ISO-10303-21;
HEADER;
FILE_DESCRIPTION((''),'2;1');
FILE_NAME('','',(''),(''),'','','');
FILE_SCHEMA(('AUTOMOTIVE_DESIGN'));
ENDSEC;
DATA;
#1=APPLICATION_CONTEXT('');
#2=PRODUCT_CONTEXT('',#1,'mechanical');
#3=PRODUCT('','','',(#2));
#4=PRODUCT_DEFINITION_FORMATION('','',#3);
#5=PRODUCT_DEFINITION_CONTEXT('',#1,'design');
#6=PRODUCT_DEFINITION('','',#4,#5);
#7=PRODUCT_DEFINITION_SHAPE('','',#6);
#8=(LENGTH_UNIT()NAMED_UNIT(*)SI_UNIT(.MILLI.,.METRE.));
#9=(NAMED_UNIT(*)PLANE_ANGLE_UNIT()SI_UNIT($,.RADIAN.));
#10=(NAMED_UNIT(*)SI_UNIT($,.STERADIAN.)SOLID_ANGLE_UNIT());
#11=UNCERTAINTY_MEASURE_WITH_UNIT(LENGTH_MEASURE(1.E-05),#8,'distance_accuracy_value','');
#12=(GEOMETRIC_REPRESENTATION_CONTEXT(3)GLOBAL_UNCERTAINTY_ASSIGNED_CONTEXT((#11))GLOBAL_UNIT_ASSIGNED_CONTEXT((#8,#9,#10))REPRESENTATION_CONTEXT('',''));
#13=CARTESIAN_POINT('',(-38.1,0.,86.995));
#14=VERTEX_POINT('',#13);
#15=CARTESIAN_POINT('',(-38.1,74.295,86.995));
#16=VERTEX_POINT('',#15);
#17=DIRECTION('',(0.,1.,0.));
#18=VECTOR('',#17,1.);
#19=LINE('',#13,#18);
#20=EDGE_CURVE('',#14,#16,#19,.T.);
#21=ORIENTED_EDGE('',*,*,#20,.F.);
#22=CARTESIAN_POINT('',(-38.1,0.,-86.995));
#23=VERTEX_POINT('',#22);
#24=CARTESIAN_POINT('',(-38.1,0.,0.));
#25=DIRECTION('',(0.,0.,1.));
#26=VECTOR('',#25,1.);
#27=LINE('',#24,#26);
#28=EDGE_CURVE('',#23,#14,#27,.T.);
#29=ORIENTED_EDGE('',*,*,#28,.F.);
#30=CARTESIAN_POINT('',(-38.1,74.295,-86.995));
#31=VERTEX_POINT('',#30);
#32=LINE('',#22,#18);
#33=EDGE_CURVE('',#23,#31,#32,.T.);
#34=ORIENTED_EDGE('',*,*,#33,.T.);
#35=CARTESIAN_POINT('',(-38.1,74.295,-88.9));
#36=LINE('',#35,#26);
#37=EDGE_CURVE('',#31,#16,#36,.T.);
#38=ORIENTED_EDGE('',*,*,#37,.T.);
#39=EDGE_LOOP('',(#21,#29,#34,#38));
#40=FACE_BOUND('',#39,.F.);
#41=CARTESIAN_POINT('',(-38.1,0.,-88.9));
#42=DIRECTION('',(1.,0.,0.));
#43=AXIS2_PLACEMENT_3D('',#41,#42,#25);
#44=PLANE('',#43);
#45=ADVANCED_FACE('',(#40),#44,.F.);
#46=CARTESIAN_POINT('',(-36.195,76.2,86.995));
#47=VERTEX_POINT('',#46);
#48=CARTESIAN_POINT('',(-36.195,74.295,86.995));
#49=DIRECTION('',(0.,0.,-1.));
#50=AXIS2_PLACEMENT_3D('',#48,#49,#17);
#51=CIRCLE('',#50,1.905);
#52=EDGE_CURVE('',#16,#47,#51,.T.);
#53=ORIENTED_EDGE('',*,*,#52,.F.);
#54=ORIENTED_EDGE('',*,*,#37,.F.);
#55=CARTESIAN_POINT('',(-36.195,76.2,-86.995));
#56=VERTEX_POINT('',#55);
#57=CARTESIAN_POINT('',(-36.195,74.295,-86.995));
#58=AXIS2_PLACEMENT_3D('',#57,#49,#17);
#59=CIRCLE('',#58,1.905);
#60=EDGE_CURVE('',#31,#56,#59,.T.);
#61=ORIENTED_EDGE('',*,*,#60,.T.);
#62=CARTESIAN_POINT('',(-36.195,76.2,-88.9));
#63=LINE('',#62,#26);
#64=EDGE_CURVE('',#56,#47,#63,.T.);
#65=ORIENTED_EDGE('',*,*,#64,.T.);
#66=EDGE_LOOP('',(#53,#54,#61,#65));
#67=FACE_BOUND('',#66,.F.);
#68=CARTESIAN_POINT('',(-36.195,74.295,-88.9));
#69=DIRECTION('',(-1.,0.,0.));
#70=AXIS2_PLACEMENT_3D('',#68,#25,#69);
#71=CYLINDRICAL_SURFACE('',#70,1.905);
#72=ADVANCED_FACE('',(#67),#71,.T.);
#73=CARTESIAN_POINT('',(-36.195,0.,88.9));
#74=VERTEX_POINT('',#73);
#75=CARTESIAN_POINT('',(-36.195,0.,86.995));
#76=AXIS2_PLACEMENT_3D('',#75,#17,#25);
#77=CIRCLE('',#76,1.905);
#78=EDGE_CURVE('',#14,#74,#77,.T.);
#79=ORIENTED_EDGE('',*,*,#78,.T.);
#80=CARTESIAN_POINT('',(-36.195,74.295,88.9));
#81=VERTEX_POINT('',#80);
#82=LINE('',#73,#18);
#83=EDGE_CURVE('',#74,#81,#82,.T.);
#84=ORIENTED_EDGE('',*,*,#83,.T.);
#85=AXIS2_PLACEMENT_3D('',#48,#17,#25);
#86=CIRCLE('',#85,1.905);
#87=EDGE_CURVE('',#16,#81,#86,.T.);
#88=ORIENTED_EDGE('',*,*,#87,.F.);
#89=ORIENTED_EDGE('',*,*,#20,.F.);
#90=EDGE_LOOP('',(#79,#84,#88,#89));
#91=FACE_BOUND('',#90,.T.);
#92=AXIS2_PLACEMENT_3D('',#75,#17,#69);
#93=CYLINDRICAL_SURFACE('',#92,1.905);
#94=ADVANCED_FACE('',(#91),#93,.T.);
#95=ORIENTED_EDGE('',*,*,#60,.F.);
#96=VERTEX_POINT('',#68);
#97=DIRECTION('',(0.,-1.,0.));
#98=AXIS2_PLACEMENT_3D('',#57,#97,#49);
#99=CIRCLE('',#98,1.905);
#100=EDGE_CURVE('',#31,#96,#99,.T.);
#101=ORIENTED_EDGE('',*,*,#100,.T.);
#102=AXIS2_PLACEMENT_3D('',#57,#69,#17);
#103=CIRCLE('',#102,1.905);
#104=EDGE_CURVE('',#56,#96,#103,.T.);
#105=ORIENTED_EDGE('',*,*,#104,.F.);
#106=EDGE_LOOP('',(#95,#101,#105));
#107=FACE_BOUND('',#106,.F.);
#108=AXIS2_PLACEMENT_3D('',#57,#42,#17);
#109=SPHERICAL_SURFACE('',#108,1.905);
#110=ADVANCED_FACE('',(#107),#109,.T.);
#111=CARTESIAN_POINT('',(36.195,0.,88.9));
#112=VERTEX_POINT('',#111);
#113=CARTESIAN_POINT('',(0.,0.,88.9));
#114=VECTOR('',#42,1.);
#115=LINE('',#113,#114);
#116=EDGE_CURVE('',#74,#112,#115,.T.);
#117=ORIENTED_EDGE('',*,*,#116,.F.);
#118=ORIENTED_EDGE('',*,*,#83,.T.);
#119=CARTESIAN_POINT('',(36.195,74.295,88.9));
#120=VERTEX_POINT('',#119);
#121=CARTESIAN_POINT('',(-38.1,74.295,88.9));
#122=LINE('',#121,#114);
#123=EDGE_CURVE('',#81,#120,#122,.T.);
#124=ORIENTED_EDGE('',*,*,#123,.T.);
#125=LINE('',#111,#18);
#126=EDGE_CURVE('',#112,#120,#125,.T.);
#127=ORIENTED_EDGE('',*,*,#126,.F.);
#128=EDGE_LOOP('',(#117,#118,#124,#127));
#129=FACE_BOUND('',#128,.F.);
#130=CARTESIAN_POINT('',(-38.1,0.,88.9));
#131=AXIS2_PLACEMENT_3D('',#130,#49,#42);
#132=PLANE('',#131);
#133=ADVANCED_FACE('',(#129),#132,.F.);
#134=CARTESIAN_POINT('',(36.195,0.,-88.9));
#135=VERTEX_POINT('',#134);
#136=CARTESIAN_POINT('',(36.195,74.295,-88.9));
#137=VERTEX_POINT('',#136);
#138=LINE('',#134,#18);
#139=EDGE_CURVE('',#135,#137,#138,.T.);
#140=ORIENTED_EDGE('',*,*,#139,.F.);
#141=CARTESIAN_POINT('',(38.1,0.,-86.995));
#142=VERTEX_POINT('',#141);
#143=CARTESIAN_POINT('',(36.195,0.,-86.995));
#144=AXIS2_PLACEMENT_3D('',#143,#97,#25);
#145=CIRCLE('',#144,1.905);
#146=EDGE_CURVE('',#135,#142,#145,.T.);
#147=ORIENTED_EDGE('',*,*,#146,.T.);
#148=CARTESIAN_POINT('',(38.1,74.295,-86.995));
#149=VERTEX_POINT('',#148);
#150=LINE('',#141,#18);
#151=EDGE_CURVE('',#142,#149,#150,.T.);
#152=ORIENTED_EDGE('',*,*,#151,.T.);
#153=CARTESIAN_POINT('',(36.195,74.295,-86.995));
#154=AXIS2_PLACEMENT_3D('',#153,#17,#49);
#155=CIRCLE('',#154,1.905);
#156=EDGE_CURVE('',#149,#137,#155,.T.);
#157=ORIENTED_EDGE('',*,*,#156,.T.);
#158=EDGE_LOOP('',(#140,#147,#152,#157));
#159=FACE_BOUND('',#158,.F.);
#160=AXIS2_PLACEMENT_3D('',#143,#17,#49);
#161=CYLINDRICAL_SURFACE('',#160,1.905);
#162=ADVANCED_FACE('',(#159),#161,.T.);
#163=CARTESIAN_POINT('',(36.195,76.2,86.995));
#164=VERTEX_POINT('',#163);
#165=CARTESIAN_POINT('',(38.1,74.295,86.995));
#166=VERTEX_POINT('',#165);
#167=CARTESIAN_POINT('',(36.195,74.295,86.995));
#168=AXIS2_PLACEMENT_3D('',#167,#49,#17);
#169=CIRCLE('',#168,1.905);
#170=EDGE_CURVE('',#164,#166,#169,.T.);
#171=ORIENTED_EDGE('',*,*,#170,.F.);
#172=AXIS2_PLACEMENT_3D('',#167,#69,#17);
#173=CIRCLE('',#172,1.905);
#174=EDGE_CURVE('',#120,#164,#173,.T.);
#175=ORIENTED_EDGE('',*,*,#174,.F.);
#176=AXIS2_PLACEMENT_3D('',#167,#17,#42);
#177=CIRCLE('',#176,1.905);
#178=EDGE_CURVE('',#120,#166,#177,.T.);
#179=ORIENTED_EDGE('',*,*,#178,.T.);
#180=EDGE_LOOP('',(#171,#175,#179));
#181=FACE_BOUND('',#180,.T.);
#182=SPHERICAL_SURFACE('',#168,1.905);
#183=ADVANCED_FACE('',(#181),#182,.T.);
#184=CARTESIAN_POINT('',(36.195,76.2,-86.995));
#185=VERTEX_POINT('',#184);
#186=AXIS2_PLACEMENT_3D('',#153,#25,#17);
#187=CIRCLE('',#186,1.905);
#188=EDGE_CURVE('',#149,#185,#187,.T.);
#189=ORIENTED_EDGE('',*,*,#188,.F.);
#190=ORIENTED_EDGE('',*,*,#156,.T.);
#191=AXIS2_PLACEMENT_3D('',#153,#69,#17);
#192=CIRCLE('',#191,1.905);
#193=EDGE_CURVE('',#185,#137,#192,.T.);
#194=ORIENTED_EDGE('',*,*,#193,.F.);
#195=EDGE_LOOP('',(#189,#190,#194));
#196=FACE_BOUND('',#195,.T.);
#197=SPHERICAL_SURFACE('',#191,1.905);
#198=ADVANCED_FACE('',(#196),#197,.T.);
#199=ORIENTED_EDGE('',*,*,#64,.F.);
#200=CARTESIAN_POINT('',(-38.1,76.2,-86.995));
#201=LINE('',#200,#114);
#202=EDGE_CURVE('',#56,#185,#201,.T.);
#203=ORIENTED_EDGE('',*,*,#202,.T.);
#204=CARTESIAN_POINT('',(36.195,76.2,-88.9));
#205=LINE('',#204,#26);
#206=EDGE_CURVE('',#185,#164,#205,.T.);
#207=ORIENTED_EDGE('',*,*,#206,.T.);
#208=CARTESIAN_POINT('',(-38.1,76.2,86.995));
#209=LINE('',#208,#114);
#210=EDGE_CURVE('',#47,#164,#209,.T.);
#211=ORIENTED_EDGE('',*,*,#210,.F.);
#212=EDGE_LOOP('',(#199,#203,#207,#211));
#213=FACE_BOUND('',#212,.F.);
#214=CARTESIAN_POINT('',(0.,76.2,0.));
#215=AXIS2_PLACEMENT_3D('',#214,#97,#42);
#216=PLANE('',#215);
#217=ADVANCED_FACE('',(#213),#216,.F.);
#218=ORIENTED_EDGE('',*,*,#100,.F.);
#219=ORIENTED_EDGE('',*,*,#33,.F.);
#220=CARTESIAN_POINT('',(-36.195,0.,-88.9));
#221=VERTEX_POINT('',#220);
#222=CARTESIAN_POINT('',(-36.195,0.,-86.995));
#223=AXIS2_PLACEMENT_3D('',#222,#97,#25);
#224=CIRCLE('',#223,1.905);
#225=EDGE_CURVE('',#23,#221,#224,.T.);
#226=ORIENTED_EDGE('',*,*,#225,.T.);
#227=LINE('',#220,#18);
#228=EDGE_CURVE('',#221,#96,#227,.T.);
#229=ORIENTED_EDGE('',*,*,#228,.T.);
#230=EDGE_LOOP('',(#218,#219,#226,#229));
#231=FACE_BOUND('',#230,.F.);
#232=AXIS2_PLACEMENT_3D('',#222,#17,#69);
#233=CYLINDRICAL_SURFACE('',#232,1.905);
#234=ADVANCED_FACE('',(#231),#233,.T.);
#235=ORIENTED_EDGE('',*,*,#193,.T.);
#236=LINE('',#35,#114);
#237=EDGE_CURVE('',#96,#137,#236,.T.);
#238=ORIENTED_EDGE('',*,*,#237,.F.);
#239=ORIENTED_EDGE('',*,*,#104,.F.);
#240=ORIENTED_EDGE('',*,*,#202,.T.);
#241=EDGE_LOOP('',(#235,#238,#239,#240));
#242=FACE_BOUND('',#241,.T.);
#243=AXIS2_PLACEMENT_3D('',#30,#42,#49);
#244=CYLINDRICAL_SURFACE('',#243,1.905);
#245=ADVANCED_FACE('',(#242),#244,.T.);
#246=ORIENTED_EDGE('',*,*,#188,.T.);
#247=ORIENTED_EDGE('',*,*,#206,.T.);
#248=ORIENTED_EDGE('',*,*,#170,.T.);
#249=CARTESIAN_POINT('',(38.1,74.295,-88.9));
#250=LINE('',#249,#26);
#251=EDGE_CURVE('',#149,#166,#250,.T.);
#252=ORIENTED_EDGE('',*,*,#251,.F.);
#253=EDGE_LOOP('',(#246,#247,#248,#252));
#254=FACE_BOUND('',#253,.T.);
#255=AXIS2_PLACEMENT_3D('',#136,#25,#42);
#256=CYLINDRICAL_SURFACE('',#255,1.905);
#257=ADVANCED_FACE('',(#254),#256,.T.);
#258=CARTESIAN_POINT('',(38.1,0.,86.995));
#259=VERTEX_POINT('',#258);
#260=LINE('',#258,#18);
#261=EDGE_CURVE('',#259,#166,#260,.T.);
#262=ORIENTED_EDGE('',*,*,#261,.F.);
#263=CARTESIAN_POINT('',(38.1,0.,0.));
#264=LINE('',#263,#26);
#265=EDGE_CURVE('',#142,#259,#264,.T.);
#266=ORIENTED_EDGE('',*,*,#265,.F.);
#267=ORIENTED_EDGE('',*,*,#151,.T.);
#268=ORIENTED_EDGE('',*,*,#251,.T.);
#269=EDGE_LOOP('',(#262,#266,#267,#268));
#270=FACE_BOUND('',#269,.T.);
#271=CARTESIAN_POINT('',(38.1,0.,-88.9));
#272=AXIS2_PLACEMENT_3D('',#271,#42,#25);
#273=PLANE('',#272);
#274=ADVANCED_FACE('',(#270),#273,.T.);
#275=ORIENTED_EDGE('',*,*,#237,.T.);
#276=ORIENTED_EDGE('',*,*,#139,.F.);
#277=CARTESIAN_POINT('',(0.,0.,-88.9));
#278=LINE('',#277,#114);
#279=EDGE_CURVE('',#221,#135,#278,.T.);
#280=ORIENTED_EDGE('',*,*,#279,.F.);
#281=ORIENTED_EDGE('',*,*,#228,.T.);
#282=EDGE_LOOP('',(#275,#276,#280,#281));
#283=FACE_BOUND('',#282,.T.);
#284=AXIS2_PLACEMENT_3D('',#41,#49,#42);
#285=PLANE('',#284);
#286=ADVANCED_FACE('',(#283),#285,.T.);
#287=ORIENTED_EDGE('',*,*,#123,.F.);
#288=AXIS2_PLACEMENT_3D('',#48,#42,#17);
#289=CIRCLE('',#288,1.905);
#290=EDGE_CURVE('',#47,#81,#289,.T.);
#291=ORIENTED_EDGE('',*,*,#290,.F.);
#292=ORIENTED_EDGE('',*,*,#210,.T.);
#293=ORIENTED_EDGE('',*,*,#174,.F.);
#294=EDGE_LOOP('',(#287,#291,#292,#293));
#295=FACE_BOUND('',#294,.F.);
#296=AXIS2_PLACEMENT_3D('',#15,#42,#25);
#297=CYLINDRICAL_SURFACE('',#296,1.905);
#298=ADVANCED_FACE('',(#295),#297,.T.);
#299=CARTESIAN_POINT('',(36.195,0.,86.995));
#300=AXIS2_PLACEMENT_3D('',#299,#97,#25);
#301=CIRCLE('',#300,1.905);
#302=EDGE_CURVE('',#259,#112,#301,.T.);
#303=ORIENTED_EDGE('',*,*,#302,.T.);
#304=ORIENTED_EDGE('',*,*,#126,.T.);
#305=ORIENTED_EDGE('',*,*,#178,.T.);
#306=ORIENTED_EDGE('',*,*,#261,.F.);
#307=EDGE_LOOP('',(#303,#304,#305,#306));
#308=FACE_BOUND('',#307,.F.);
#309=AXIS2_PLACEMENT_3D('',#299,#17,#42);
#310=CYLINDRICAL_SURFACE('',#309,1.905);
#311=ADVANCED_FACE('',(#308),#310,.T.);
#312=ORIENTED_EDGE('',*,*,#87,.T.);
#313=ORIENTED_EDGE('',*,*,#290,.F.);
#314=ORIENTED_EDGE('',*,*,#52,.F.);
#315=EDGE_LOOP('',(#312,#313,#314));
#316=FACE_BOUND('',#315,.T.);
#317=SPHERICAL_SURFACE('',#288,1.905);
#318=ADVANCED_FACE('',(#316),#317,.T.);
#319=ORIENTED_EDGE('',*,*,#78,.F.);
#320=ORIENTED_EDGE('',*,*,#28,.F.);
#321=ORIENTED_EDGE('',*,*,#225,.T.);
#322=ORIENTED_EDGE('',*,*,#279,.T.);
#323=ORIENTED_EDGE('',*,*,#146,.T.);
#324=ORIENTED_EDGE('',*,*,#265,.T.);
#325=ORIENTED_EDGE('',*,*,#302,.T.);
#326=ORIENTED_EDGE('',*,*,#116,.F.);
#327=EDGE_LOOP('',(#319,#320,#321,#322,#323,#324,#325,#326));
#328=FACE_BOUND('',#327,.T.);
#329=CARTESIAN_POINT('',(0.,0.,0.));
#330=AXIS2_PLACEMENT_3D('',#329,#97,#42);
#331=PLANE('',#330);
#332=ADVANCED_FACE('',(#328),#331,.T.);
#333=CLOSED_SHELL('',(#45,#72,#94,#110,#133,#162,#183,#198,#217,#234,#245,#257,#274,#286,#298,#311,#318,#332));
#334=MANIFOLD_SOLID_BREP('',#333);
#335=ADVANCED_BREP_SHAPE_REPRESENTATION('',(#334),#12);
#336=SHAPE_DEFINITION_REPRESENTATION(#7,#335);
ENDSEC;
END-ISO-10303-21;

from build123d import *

# Parameters (mm, degrees)
F0_W     = 76.2
F0_H     = 177.8
F1_DEPTH = 76.2
F2_R     = 1.905


with BuildPart() as f1:
    # F0 (on Front) → F1 (new body)
    with BuildSketch(Plane.XZ):
        Rectangle(F0_W, F0_H)
    extrude(amount=-F1_DEPTH)

    # F2
    f2_edges = [f1.edges().sort_by_distance(p)[0] for p in [
        (0, 76.2, -88.9),
        (38.1, 76.2, 0),
        (0, 76.2, 88.9),
        (-38.1, 76.2, 0),
        (38.1, 38.1, 88.9),
        (-38.1, 38.1, 88.9),
        (38.1, 38.1, -88.9),
        (-38.1, 38.1, -88.9),
    ]]
    fillet(f2_edges, radius=F2_R)


solid = f1.part
